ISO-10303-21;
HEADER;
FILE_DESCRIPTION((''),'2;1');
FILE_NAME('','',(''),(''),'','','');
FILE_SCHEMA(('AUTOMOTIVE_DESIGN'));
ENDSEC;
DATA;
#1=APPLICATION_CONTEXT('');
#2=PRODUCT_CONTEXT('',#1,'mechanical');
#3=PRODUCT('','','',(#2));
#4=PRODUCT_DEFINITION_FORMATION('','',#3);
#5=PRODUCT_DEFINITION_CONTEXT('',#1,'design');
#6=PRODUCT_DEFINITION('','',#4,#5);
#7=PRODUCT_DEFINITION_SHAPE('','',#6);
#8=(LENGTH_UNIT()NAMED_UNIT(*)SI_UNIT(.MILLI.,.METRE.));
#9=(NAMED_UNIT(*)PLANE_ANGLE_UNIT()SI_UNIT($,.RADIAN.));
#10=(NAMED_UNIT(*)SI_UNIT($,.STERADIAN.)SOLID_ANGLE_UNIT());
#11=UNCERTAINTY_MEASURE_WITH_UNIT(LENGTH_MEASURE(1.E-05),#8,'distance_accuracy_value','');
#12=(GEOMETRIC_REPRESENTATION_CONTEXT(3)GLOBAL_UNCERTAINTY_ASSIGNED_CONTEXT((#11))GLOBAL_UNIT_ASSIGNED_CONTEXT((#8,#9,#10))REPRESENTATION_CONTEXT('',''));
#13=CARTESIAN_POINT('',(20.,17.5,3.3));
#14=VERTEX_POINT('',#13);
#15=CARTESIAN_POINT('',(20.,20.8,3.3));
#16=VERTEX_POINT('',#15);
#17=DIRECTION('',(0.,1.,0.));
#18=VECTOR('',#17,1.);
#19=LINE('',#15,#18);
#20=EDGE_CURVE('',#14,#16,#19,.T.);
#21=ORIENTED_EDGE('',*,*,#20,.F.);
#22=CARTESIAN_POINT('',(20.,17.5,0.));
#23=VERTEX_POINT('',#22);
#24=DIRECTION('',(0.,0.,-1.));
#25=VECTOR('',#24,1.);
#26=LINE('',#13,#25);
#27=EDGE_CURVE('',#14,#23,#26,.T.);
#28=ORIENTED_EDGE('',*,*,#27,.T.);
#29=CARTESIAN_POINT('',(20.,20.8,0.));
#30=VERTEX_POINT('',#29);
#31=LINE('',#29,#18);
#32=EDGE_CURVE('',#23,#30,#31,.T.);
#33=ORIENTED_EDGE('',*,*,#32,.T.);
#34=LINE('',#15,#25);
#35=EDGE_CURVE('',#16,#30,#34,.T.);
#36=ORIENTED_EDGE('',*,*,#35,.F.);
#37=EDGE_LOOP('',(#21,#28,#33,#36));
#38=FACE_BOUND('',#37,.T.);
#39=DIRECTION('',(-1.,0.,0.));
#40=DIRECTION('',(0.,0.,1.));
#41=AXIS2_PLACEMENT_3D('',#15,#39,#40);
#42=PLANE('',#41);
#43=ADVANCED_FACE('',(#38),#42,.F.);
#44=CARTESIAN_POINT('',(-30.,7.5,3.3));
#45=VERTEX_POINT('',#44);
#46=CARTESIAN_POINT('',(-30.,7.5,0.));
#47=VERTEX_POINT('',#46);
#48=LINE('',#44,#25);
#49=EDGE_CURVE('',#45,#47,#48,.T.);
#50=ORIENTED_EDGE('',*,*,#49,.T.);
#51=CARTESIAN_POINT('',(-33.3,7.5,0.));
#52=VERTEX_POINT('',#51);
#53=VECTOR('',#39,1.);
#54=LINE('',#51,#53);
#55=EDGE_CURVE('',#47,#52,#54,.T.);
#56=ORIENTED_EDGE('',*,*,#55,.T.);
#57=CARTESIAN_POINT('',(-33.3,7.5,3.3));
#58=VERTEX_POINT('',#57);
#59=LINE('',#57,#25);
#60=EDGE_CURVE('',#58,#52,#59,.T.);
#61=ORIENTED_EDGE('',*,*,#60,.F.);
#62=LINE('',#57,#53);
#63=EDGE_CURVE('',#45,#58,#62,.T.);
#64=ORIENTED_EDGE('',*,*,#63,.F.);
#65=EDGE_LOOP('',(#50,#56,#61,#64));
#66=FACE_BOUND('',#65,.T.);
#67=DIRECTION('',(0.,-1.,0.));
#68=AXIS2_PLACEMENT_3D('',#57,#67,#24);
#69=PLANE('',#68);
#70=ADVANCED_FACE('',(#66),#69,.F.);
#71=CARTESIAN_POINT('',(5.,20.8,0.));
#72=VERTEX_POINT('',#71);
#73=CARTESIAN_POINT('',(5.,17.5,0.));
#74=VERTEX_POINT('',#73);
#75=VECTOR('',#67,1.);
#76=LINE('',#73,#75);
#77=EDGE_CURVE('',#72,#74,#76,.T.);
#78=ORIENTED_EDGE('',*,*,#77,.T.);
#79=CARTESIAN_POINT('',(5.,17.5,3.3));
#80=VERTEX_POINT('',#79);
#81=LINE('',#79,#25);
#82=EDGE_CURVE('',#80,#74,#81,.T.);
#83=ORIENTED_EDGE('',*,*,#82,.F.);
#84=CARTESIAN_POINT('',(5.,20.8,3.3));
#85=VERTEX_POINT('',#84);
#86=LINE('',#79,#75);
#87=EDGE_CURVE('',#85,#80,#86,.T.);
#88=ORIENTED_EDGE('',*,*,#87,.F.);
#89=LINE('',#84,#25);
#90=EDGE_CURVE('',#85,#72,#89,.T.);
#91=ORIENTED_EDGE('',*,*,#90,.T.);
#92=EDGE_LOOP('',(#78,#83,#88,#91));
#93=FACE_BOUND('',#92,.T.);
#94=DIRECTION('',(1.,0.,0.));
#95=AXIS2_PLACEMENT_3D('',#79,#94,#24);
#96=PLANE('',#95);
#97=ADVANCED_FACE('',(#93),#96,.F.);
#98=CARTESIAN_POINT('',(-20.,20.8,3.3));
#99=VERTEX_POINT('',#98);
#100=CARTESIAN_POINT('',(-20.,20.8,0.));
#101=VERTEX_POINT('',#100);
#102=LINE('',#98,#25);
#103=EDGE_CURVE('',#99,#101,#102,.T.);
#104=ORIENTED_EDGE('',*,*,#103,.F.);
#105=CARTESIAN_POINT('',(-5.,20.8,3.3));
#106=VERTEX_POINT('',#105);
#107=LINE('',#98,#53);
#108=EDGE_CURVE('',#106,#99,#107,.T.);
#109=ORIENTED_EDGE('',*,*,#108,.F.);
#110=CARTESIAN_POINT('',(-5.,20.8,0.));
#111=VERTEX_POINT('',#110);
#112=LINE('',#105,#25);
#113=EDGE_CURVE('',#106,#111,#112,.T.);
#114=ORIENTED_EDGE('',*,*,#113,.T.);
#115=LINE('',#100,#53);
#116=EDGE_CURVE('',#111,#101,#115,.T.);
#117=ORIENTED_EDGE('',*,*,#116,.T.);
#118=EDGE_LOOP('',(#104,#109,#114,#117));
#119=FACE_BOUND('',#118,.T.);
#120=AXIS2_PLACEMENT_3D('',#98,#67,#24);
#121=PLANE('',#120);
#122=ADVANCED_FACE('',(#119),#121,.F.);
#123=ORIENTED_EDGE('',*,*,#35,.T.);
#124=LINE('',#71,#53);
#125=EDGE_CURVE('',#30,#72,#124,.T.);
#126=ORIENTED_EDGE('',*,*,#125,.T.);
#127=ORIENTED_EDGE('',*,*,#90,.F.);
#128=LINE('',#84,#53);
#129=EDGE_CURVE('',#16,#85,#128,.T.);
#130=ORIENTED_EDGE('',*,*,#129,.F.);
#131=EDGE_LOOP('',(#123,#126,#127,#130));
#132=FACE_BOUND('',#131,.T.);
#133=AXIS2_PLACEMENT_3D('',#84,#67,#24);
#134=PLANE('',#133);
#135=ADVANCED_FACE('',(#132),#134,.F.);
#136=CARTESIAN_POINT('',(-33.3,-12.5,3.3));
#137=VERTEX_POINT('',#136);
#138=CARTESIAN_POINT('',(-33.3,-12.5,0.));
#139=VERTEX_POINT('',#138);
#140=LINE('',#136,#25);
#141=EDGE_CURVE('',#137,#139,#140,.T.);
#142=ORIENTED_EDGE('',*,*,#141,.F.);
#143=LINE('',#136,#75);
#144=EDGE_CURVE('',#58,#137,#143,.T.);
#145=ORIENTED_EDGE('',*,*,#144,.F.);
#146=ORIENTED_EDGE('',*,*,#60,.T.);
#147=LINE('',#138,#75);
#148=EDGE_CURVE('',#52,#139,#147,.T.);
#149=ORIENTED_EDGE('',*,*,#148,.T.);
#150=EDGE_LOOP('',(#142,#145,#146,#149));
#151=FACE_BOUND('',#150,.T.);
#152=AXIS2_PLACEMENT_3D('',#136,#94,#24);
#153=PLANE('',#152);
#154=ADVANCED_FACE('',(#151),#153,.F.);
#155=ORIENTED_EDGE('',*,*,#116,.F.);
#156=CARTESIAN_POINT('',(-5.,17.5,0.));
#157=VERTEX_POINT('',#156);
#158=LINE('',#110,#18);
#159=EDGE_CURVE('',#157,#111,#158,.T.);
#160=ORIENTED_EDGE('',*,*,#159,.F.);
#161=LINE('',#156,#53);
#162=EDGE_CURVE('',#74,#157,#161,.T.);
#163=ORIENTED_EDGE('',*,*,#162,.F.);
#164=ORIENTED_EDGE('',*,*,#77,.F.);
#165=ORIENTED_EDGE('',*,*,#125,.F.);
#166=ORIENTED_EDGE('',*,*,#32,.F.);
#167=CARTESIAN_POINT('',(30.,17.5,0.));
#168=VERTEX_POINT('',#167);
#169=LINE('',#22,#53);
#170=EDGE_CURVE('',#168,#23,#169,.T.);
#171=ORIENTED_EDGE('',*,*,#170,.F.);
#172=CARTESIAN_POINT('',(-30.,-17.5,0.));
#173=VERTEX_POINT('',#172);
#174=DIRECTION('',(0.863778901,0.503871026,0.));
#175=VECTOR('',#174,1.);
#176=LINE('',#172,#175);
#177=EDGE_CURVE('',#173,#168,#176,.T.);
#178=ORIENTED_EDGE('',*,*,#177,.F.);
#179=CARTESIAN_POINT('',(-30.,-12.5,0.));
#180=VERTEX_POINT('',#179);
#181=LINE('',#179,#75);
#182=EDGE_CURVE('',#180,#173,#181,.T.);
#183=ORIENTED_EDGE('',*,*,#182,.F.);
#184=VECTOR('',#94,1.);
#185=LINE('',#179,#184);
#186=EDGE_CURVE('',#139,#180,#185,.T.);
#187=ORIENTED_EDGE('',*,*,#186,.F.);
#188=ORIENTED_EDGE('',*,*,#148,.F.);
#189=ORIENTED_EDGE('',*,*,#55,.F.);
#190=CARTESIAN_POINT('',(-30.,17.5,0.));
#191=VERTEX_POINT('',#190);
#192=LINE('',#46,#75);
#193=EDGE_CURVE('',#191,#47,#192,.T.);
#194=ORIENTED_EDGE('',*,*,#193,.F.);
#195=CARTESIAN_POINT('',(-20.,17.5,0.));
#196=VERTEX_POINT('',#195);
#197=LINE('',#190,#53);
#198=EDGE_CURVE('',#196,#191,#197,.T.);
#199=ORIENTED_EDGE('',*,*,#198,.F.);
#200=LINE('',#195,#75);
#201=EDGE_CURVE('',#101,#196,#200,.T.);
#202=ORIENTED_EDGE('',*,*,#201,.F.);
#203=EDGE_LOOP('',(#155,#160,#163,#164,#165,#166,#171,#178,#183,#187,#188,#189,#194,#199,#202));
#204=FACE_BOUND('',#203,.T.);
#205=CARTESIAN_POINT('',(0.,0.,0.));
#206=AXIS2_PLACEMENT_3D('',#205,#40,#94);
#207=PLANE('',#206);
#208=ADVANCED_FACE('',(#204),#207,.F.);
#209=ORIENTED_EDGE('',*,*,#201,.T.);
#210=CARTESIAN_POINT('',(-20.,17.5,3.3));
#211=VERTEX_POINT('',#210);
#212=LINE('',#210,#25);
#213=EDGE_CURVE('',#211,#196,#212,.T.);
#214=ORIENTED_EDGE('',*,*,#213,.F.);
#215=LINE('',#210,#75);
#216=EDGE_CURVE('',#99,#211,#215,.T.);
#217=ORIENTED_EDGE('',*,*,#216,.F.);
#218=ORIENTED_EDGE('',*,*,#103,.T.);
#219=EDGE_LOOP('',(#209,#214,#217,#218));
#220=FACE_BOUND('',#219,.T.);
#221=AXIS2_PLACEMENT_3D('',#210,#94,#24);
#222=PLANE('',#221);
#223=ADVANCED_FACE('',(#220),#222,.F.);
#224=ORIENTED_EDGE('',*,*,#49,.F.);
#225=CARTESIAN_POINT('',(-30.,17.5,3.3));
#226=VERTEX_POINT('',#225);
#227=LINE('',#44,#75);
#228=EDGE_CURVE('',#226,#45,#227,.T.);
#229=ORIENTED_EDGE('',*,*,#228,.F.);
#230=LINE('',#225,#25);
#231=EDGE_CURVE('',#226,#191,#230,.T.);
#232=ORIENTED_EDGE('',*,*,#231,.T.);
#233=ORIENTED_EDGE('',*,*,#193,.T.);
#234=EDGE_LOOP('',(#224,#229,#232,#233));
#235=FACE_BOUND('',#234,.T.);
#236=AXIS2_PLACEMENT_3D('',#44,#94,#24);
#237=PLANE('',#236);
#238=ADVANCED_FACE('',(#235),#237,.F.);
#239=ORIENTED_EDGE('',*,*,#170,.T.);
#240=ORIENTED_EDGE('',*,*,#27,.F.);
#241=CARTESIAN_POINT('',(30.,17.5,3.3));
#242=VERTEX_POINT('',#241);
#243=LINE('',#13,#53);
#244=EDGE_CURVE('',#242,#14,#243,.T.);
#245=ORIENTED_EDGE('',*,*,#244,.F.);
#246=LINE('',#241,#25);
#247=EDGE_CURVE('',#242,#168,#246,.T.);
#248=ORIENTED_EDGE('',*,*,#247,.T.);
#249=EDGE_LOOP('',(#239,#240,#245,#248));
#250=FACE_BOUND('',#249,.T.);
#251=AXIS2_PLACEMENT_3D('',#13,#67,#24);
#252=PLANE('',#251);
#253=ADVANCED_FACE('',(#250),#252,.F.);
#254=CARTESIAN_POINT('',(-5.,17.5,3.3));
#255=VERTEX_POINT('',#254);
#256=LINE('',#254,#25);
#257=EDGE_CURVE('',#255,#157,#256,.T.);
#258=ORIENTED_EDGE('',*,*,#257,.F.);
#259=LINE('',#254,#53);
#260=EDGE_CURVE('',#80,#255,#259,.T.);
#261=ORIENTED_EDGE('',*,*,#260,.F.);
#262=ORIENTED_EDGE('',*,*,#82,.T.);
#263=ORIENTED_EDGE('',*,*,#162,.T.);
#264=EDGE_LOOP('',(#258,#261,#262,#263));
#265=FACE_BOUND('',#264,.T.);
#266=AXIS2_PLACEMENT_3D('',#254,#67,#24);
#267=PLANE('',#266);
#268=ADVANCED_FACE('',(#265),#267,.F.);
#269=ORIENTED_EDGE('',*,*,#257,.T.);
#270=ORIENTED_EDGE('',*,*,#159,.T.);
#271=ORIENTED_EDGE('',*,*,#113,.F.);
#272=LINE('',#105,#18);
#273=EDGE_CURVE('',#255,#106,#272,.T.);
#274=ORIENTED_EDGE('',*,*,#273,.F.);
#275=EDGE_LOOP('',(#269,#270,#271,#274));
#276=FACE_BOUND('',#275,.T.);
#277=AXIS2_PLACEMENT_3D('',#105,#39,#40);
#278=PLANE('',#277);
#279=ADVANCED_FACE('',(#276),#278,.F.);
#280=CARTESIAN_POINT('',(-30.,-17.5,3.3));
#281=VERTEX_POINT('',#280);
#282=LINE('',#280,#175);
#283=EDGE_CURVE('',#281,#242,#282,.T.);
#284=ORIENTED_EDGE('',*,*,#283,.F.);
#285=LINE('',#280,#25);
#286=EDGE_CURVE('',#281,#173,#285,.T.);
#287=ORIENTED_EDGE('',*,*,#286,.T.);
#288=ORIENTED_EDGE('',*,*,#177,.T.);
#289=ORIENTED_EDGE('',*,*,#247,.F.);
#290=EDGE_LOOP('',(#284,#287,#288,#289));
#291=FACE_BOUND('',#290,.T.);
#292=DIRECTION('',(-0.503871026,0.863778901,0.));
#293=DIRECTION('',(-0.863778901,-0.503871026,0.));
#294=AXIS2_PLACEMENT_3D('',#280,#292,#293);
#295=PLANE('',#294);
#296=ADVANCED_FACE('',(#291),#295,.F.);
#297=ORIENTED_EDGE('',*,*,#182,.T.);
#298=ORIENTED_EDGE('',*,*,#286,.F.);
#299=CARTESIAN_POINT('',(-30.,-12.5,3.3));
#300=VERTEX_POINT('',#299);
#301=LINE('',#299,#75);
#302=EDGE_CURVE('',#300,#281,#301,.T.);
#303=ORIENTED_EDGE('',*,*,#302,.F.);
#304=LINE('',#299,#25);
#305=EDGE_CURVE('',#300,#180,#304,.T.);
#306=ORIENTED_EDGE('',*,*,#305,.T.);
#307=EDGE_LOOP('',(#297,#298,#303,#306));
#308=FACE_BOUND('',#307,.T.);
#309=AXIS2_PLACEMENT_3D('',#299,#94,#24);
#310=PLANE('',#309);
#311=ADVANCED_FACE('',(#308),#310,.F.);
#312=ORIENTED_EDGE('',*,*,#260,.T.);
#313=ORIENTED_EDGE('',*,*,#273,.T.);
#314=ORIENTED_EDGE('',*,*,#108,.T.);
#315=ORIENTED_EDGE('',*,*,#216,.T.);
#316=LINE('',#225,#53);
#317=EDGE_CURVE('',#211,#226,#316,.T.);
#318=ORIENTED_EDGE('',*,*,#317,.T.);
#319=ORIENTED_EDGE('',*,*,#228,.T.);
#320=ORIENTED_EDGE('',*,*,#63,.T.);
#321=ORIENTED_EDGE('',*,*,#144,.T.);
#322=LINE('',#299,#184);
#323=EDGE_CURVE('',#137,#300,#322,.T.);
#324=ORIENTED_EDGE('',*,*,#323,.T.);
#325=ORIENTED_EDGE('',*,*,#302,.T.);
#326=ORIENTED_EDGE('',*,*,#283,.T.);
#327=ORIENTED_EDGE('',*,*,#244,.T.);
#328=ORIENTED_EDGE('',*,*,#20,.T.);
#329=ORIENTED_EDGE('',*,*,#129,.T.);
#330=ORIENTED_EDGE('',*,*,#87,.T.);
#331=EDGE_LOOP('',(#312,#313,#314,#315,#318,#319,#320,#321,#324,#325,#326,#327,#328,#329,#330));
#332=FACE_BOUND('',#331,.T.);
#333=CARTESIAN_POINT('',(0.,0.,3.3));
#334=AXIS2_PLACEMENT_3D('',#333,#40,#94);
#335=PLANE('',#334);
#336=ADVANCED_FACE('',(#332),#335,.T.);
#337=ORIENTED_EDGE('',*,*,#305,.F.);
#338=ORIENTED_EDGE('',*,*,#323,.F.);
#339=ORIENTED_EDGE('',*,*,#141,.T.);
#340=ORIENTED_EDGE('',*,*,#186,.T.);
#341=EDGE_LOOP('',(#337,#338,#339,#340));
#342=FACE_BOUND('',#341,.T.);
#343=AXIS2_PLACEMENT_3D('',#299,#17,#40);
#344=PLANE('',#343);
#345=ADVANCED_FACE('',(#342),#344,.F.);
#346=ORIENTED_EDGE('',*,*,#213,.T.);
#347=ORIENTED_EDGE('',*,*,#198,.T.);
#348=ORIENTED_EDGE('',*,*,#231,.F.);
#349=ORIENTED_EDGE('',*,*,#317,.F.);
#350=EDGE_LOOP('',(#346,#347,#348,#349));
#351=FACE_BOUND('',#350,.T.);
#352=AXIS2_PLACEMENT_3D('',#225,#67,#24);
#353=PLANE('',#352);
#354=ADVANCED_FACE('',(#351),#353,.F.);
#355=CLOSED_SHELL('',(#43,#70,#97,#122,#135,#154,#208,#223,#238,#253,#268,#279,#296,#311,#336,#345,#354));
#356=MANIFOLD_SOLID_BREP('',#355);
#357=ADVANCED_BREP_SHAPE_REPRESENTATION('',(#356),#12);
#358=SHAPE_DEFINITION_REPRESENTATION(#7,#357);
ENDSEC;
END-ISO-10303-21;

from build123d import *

# Parameters (mm, degrees)
BOSS_EXTRUDE1_DEPTH = 3.3


with BuildPart() as part:
    # Sketch1 → Boss-Extrude1 (new body)
    with BuildSketch(Plane.XY):
        Polygon((-30, -17.5), (30, 17.5), (20, 17.5), (20, 20.8), (5, 20.8), (5, 17.5), (-5, 17.5), (-5, 20.8), (-20, 20.8), (-20, 17.5), (-30, 17.5), (-30, 7.5), (-33.3, 7.5), (-33.3, -12.5), (-30, -12.5), align=None)
    extrude(amount=BOSS_EXTRUDE1_DEPTH)


solid = part.part
